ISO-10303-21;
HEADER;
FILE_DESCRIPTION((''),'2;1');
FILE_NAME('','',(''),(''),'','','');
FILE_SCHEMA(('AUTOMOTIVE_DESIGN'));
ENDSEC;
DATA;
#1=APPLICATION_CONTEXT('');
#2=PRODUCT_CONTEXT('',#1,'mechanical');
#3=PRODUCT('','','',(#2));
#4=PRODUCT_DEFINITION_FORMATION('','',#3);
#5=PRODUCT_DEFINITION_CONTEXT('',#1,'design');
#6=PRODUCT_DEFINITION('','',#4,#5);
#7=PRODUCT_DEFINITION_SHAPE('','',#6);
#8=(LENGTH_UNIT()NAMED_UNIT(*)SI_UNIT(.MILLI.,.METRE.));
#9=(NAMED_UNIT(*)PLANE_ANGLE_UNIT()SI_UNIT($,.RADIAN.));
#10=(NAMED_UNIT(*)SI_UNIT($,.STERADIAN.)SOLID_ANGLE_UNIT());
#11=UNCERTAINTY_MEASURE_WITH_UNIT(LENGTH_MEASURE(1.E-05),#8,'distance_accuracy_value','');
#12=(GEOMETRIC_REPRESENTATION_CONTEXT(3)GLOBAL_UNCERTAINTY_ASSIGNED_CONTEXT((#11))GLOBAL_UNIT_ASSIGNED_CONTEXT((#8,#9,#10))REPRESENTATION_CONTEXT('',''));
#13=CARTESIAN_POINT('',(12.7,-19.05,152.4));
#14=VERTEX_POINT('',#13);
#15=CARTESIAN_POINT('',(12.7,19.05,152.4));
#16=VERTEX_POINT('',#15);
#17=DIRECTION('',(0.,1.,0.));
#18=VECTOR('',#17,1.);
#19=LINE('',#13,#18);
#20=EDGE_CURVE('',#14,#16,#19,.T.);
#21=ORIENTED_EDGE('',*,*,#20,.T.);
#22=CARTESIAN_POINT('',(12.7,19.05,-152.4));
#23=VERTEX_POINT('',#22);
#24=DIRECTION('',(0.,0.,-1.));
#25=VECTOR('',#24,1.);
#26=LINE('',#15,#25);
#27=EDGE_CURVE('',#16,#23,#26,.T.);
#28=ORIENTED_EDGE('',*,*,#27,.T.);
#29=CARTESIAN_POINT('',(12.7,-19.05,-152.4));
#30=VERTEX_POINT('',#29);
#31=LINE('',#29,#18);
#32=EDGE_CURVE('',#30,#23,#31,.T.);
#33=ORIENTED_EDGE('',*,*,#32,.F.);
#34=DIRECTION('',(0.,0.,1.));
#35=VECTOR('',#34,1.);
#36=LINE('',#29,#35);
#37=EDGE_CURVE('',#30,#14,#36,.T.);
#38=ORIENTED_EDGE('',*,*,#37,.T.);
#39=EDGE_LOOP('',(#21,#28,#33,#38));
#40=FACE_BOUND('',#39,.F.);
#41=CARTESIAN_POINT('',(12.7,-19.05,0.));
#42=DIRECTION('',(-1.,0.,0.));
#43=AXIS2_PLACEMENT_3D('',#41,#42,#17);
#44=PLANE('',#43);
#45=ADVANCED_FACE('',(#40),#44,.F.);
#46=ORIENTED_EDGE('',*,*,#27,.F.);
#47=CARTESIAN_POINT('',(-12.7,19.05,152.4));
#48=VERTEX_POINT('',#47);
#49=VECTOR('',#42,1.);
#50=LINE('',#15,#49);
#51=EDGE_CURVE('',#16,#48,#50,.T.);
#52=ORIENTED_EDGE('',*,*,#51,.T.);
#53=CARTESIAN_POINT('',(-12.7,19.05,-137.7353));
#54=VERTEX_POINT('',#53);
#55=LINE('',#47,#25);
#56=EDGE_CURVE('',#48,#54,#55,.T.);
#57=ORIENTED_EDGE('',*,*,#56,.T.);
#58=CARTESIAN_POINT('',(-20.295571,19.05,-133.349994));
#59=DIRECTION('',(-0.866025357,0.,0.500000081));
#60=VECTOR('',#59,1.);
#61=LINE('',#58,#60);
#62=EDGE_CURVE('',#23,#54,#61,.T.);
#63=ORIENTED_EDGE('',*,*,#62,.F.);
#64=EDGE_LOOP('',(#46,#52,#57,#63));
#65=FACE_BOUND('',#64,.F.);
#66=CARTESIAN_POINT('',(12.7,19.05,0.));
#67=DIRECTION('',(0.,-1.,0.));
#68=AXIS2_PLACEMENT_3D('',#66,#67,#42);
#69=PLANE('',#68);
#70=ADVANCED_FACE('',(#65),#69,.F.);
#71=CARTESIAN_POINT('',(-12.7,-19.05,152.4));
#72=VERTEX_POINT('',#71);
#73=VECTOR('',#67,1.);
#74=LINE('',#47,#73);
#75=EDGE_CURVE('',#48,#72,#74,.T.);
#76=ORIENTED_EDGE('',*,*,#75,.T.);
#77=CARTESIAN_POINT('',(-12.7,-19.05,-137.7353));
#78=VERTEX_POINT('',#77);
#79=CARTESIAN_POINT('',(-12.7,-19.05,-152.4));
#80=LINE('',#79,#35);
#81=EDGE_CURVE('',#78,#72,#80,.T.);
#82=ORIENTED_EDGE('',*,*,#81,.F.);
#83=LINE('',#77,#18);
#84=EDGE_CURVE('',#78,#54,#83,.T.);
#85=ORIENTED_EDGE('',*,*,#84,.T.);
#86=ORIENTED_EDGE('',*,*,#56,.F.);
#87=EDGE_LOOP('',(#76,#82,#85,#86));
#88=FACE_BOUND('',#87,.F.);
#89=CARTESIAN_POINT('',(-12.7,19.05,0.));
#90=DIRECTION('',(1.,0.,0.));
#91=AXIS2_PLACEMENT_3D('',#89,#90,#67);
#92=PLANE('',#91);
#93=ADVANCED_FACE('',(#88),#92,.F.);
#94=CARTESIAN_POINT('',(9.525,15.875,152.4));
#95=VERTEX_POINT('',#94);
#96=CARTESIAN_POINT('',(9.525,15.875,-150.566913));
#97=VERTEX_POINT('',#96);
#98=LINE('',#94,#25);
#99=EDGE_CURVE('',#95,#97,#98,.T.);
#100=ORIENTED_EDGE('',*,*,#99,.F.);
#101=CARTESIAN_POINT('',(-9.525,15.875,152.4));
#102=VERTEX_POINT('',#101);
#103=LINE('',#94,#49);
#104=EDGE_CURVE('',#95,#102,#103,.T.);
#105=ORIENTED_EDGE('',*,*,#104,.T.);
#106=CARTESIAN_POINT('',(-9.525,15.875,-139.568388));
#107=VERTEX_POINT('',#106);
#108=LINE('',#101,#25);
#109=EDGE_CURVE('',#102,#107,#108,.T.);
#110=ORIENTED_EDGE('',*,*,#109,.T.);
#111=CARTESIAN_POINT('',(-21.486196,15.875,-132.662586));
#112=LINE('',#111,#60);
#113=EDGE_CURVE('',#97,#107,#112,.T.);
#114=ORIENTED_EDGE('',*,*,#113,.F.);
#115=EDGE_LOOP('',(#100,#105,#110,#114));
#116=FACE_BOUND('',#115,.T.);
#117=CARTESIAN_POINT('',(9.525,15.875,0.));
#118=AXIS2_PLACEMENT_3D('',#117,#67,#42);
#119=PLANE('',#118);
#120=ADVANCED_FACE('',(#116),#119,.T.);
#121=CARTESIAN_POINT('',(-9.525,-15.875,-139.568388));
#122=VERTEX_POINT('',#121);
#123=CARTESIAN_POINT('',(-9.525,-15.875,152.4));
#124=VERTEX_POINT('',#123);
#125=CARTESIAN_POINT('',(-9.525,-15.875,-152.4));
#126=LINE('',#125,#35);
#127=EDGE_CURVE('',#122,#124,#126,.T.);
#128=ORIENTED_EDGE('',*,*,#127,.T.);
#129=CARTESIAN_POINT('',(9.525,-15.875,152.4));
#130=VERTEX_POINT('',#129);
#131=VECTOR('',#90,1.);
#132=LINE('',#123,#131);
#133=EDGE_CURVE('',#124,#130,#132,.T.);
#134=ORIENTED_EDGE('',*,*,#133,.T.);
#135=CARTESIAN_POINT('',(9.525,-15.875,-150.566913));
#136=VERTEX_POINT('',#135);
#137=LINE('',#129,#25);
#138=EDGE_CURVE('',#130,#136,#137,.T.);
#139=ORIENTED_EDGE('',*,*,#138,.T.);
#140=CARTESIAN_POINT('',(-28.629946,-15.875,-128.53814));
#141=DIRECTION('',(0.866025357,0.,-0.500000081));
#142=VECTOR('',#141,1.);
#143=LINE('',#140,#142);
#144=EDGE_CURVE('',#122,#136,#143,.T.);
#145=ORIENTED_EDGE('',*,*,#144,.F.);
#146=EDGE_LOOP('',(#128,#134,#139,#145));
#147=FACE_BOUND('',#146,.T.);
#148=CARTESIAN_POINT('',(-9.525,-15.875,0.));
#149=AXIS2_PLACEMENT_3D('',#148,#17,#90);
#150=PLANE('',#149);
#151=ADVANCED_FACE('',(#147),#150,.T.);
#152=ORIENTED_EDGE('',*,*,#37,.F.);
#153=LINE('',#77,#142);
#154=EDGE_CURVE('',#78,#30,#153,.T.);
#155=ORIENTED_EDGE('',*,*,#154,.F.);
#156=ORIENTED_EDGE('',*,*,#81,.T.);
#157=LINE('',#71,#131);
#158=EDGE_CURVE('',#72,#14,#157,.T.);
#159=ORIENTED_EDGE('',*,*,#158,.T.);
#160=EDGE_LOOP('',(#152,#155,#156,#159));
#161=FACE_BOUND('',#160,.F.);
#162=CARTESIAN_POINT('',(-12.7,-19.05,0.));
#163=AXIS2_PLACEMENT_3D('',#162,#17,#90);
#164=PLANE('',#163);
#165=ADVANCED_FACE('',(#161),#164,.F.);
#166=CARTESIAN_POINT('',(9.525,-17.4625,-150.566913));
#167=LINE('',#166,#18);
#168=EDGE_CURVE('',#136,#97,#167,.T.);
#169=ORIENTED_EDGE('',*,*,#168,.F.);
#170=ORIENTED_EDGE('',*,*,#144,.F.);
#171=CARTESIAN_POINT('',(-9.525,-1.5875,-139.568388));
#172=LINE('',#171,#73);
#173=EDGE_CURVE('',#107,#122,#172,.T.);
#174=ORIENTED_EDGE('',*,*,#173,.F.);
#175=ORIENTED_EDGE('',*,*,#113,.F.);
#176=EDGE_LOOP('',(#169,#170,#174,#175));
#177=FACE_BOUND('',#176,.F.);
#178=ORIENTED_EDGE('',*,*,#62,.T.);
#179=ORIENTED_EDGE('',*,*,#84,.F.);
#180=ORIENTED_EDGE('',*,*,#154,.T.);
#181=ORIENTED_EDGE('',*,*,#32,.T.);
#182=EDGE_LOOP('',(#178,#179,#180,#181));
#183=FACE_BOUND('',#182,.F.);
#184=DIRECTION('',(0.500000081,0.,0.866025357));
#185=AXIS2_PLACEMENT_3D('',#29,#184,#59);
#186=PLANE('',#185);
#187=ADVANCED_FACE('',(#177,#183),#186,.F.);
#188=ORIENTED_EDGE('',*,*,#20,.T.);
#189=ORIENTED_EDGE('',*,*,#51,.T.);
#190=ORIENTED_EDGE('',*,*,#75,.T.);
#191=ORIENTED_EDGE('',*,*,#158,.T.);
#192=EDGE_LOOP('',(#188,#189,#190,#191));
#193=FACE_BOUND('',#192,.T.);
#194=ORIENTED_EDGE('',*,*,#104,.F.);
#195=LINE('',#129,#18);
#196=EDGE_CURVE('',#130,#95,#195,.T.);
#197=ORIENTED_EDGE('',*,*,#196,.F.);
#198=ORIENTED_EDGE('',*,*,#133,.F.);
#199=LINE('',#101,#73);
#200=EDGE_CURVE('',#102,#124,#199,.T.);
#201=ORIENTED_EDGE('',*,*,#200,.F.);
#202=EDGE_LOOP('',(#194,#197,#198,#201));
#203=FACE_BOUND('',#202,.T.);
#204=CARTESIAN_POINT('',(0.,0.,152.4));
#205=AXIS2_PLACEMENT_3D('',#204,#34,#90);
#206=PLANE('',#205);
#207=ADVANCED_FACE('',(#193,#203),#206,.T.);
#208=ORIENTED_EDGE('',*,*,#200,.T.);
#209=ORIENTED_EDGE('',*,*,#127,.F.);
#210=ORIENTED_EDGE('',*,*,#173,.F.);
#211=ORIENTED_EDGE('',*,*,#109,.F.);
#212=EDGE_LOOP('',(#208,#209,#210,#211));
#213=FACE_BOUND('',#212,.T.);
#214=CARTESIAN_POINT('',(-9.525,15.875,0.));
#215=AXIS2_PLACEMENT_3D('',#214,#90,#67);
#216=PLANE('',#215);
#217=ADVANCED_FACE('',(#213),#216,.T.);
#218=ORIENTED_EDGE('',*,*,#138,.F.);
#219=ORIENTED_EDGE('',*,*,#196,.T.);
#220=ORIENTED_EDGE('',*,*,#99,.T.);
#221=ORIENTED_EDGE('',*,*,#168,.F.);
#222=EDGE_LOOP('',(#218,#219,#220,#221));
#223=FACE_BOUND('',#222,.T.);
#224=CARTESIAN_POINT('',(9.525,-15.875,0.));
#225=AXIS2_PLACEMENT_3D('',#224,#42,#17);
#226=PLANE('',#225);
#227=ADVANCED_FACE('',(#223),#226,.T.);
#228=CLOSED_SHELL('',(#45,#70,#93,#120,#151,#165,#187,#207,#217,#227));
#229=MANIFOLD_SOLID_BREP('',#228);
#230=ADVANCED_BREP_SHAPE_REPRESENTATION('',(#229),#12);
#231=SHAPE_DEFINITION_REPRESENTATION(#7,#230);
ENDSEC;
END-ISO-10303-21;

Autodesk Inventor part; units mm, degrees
ref_plane "YZ Plane" through (0, 0, 0) normal (1, 0, 0) x (0, 1, 0)
ref_plane "XZ Plane" through (0, 0, 0) normal (0, 1, 0) x (-1, 0, 0)
ref_plane "XY Plane" through (0, 0, 0) normal (0, 0, 1) x (1, 0, 0)
sketch "Sketch1" plane through (0, 0, 0) normal (0, 0, 1) x (1, 0, 0)
  line L0 (-12.7, -19.05) -> (12.7, -19.05)
  line L1 (12.7, -19.05) -> (12.7, 19.05)
  line L2 (12.7, 19.05) -> (-12.7, 19.05)
  line L3 (-12.7, 19.05) -> (-12.7, -19.05)
  line L4 (-12.7, -19.05) -> (12.7, 19.05) construction
  line L5 (12.7, -19.05) -> (-12.7, 19.05) construction
  line L6 (-9.525, -15.875) -> (9.525, -15.875)
  line L7 (9.525, -15.875) -> (9.525, 15.875)
  line L8 (9.525, 15.875) -> (-9.525, 15.875)
  line L9 (-9.525, 15.875) -> (-9.525, -15.875)
  line L10 (-9.525, -15.875) -> (9.525, 15.875) construction
  line L11 (9.525, -15.875) -> (-9.525, 15.875) construction
  point P0 (0, 0)
  dimension "d0" = 25.4
  dimension "d1" = 38.1
  dimension "d2" = 3.175
  dimension "d3" = 3.175
extrude "Extrusion1" add sketch "Sketch1" along normal mid plane 304.8
sketch "Sketch2" plane through (-12.7, -19.05, 152.4) normal (0, -1, 0) x (1, 0, 0)
  line L0 (25.4, -304.8) -> (0, -304.8) projected
  line L1 (25.4, -304.8) -> (0, -290.1353)
  line L2 (0, 0) -> (0, -304.8) projected
  line L3 (0, -304.8) -> (0, -290.1353)
  line L4 (0, -304.8) -> (25.4, -304.8)
  line L5 (22.225, -304.8) -> (22.225, 0) projected
  point P0 (12.7, -152.4)
  dimension "d6" = 30
extrude "Extrusion2" cut sketch "Sketch2" against normal through all
properties part number "spacerForTopSideAluminumExtrusion" material "Aluminum 6061, Welded"
